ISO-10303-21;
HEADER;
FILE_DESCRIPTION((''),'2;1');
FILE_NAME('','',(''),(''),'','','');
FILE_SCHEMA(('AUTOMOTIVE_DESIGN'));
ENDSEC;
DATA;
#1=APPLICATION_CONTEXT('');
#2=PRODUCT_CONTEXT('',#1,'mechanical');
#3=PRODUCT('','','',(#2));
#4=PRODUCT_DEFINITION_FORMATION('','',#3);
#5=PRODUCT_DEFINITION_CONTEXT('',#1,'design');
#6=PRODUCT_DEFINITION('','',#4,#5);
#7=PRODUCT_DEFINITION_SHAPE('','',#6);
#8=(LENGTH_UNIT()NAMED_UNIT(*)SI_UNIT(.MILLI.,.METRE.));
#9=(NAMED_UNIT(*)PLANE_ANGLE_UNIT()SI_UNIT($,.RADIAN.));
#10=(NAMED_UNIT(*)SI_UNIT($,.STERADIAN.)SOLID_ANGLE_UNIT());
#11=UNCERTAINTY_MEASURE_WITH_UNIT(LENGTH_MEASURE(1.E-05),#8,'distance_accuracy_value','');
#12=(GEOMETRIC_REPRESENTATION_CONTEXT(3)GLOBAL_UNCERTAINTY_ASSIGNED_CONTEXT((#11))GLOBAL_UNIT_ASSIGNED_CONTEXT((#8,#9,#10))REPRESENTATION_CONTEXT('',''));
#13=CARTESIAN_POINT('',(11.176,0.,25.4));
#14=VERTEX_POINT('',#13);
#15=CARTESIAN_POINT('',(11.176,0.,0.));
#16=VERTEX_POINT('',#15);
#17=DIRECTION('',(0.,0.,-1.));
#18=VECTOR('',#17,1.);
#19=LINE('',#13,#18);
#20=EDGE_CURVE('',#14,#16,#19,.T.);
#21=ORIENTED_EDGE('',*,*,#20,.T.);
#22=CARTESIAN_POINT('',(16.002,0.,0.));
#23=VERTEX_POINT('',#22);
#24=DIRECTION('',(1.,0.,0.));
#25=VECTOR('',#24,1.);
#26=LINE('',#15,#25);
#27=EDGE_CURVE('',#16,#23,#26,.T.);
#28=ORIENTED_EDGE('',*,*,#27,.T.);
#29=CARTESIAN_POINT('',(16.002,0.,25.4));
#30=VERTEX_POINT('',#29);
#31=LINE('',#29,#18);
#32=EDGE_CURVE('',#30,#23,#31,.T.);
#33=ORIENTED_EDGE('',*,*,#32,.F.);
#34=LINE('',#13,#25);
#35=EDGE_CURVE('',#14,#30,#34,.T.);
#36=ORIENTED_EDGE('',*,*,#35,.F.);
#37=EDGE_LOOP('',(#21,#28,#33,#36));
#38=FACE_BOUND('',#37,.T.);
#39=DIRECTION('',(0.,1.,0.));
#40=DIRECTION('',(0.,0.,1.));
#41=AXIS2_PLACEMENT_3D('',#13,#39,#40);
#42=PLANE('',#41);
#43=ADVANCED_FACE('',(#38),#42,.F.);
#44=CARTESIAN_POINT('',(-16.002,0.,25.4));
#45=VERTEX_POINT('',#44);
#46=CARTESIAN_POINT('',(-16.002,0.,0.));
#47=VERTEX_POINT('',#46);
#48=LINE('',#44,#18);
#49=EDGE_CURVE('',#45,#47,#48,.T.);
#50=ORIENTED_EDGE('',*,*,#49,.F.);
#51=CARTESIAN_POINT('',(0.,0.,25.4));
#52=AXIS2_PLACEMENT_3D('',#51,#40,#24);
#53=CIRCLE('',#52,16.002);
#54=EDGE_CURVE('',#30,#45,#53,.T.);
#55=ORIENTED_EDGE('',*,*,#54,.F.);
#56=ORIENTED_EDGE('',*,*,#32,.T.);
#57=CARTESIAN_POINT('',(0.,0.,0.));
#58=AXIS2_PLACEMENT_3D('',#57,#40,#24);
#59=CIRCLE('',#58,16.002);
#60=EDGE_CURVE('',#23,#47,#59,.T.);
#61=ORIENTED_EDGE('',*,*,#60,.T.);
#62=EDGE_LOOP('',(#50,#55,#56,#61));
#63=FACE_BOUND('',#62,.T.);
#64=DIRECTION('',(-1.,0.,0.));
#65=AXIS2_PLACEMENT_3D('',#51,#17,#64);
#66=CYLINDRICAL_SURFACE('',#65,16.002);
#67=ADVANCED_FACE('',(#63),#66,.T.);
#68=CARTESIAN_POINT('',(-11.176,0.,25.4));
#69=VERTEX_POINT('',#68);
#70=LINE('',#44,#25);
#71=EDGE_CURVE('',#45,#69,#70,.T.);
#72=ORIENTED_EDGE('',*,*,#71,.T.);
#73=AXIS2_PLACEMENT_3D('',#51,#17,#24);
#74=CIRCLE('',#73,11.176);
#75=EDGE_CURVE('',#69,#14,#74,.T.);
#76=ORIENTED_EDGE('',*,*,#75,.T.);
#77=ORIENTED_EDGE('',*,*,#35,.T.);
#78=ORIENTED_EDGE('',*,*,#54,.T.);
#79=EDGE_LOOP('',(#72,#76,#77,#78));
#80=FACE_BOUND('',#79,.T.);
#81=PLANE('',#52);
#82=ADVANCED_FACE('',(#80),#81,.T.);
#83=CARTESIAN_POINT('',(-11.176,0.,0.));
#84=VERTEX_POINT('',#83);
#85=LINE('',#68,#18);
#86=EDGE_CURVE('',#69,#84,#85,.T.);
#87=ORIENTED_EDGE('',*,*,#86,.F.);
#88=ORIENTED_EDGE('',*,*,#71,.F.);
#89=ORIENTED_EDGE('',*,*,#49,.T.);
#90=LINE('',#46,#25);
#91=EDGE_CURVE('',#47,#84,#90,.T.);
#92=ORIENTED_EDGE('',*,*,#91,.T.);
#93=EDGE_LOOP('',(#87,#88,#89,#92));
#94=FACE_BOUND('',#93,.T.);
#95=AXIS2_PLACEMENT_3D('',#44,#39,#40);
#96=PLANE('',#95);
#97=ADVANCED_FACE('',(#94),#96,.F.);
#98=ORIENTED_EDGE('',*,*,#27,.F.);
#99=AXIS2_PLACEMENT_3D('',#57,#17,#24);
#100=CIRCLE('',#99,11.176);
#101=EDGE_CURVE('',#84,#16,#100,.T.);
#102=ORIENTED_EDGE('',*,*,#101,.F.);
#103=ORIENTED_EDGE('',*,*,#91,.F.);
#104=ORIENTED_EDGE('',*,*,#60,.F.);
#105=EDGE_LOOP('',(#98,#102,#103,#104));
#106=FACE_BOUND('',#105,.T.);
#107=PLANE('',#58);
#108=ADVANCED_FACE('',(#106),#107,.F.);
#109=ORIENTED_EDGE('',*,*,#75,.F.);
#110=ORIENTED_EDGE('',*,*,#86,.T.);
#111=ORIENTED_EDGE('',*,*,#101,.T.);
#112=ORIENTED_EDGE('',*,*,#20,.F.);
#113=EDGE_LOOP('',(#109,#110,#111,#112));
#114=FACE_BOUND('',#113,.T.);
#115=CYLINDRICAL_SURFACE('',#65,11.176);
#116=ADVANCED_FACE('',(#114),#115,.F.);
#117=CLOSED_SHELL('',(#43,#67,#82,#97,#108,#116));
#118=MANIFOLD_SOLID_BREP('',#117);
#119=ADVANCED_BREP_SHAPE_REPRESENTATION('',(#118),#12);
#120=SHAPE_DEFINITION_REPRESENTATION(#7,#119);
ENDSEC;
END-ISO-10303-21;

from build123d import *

# Parameters (mm, degrees)
BOSS_EXTRUDE1_DEPTH = 25.4


with BuildPart() as part:
    # Sketch1 → Boss-Extrude1 (new body)
    with BuildSketch(Plane.XY):
        with BuildLine():
            Line((-16.002, 0), (-11.176, 0))
            ThreePointArc((-11.176, 0), (0, 11.176), (11.176, 0))
            Line((11.176, 0), (16.002, 0))
            ThreePointArc((16.002, 0), (0, 16.002), (-16.002, 0))
        make_face()
    extrude(amount=BOSS_EXTRUDE1_DEPTH)


solid = part.part
